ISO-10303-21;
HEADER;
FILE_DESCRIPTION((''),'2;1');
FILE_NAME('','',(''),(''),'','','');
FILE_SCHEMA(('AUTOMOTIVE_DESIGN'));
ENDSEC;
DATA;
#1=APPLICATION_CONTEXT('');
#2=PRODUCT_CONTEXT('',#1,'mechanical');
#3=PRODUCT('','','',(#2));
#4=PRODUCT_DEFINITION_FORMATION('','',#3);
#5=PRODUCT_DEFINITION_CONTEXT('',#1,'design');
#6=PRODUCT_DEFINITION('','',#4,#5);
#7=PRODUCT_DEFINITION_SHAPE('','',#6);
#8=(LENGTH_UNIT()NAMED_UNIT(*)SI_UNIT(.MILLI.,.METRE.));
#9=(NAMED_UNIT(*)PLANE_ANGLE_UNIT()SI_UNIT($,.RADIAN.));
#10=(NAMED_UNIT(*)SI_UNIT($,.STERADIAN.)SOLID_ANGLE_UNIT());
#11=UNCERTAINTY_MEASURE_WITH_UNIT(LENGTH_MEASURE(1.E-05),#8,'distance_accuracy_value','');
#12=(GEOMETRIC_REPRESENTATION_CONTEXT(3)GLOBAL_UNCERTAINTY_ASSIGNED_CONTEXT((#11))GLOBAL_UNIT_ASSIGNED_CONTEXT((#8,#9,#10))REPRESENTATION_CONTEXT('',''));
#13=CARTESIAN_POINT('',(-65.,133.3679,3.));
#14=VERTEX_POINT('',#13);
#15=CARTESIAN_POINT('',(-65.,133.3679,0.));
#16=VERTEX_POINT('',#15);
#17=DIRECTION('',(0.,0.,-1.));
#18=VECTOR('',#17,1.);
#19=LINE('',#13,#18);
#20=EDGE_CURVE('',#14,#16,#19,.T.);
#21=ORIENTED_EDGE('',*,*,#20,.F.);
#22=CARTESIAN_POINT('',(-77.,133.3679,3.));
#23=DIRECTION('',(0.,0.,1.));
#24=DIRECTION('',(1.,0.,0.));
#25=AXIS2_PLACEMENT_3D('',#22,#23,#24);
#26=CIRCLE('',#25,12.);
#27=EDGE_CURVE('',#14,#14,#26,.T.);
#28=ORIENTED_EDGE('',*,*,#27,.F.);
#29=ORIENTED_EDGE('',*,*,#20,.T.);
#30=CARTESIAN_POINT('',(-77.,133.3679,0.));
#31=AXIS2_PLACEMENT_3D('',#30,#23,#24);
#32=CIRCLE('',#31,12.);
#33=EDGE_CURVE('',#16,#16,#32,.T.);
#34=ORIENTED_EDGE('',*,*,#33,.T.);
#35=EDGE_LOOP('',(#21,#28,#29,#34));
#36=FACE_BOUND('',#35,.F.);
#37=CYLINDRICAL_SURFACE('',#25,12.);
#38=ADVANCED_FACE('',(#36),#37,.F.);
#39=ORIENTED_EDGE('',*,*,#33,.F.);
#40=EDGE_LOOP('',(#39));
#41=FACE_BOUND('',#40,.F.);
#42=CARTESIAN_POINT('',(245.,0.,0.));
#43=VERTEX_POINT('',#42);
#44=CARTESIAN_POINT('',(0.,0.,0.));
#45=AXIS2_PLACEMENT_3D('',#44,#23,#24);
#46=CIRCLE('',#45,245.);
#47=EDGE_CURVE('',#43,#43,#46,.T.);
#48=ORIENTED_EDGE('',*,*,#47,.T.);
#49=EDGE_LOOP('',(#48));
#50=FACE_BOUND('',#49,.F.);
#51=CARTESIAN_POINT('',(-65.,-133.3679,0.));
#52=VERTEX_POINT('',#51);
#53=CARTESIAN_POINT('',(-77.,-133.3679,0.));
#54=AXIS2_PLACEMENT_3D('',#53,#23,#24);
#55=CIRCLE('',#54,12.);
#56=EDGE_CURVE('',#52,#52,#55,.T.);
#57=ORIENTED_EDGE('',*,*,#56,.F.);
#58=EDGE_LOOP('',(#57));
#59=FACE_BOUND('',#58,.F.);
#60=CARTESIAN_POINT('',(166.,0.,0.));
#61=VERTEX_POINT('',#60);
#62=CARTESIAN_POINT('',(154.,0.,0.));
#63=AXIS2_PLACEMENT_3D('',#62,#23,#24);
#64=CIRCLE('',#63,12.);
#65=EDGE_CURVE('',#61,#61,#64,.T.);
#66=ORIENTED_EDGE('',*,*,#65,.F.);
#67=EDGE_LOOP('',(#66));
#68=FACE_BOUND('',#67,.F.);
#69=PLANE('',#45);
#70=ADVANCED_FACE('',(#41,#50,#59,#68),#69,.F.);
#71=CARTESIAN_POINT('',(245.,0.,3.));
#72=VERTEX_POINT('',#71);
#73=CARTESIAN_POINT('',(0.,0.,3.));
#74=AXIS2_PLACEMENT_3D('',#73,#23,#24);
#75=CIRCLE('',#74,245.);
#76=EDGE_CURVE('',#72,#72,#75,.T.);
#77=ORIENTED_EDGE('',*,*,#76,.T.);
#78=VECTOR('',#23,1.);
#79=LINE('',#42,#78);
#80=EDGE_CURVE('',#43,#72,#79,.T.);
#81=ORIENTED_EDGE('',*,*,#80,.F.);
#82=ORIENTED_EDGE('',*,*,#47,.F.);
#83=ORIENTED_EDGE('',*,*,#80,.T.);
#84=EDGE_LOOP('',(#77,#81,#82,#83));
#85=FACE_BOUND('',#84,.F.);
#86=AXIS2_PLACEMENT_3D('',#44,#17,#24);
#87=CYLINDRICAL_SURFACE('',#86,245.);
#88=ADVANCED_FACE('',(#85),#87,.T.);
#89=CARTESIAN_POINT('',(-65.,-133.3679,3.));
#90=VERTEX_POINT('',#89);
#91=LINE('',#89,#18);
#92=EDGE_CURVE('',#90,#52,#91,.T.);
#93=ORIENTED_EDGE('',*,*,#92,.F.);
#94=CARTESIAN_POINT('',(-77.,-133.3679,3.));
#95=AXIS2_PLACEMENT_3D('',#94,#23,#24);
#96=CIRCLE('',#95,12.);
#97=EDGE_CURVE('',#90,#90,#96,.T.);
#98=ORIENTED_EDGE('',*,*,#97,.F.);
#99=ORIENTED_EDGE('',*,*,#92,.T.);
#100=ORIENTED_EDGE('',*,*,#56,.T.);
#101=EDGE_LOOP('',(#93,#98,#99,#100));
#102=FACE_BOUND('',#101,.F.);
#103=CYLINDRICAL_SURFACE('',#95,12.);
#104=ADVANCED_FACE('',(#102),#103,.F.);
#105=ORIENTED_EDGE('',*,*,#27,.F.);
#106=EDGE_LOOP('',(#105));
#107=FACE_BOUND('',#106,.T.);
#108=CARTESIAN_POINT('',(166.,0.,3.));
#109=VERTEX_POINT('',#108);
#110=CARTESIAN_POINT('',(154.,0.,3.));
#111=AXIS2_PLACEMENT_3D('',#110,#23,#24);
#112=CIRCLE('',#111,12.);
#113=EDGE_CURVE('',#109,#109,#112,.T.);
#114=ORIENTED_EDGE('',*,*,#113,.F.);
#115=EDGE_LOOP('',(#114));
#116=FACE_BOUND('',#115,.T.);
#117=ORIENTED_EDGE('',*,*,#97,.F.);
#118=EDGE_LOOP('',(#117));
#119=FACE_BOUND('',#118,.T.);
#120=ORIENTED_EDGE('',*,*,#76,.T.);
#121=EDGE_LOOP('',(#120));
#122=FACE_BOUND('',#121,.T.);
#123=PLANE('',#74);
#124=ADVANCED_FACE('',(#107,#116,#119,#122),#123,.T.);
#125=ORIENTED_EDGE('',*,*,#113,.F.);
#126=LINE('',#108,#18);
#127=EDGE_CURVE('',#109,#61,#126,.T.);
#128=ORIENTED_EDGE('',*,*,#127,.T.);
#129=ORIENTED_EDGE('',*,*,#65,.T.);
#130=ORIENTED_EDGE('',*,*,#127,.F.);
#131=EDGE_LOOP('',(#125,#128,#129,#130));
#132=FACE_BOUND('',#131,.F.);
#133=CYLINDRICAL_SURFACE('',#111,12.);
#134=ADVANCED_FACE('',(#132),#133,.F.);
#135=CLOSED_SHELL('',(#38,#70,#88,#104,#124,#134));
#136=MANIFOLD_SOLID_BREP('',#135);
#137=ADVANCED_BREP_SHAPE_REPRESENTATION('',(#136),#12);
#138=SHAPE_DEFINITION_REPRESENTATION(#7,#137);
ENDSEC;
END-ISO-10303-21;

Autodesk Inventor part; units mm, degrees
ref_plane "YZ Plane" through (0, 0, 0) normal (1, 0, 0) x (0, 1, 0)
ref_plane "XZ Plane" through (0, 0, 0) normal (0, 1, 0) x (-1, 0, 0)
ref_plane "XY Plane" through (0, 0, 0) normal (0, 0, 1) x (1, 0, 0)
sketch "Sketch1" plane through (0, 0, 0) normal (0, 0, 1) x (1, 0, 0)
  circle A0 centre (0, 0) radius 245
  dimension "d0" = 490
extrude "Extrusion1" add sketch "Sketch1" along normal blind 3
sketch "Sketch2" plane through (0, 0, 3) normal (0, 0, 1) x (1, 0, 0)
  line L0 (0, 0) -> (154, 0) construction
  circle A0 centre (154, 0) radius 12
  circle A1 centre (-77, 133.3679) radius 12
  circle A2 centre (-77, -133.3679) radius 12
  dimension "d3" = 154
  dimension "d4" = 24
  dimension "d7" = 360
extrude "Extrusion2" cut sketch "Sketch2" against normal through all
properties part number "bottomPlate"
